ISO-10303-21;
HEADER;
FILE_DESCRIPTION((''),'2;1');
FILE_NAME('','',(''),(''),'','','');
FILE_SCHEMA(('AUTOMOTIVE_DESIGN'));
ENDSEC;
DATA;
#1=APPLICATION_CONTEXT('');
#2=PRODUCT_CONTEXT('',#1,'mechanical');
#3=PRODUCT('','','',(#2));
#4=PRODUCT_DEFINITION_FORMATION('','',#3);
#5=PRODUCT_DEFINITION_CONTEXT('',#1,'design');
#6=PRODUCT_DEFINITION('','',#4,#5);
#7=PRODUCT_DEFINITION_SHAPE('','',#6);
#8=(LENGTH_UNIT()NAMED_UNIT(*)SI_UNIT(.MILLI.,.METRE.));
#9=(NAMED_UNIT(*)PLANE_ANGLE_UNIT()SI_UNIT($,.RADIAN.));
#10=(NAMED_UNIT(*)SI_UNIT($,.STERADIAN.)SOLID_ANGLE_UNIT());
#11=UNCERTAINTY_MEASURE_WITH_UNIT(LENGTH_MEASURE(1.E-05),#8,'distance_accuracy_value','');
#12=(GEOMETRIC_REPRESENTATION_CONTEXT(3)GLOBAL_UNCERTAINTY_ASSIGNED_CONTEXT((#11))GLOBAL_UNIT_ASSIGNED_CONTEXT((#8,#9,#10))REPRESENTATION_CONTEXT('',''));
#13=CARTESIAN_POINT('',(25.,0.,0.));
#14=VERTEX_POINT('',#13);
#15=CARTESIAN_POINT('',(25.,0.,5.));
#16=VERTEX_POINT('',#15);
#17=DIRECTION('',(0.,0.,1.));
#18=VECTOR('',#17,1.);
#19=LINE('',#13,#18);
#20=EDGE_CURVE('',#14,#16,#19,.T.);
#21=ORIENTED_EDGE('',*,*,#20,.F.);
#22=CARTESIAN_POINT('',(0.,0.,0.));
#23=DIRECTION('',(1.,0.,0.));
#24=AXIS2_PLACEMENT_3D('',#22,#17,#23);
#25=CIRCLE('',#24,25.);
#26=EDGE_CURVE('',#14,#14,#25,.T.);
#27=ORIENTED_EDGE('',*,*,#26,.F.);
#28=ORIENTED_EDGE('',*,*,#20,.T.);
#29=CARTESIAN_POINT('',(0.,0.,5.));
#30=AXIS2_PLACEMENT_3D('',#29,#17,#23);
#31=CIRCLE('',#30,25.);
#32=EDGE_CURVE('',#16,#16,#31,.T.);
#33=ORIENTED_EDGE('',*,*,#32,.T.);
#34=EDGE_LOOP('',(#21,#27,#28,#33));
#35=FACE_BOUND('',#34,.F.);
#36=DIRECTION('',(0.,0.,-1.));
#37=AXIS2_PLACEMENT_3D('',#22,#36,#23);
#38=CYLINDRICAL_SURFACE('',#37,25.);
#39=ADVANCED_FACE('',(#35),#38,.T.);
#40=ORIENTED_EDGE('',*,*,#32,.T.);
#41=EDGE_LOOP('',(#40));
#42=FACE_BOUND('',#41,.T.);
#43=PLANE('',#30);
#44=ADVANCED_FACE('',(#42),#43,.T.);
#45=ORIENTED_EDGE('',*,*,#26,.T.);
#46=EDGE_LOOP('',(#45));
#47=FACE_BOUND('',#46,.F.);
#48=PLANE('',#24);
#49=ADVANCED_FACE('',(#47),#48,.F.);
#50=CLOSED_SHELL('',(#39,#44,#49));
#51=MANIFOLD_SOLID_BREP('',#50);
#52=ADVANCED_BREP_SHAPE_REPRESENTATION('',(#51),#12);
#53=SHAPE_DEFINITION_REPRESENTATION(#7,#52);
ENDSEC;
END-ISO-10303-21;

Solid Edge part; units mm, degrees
sketch "Sketch1" plane through (0, 0, 0) normal (0, 0, 1) x (1, 0, 0)
  circle A0 centre (0, 0) radius 25
extrude "Protrusion1" add sketch "Sketch1" along normal blind 5
